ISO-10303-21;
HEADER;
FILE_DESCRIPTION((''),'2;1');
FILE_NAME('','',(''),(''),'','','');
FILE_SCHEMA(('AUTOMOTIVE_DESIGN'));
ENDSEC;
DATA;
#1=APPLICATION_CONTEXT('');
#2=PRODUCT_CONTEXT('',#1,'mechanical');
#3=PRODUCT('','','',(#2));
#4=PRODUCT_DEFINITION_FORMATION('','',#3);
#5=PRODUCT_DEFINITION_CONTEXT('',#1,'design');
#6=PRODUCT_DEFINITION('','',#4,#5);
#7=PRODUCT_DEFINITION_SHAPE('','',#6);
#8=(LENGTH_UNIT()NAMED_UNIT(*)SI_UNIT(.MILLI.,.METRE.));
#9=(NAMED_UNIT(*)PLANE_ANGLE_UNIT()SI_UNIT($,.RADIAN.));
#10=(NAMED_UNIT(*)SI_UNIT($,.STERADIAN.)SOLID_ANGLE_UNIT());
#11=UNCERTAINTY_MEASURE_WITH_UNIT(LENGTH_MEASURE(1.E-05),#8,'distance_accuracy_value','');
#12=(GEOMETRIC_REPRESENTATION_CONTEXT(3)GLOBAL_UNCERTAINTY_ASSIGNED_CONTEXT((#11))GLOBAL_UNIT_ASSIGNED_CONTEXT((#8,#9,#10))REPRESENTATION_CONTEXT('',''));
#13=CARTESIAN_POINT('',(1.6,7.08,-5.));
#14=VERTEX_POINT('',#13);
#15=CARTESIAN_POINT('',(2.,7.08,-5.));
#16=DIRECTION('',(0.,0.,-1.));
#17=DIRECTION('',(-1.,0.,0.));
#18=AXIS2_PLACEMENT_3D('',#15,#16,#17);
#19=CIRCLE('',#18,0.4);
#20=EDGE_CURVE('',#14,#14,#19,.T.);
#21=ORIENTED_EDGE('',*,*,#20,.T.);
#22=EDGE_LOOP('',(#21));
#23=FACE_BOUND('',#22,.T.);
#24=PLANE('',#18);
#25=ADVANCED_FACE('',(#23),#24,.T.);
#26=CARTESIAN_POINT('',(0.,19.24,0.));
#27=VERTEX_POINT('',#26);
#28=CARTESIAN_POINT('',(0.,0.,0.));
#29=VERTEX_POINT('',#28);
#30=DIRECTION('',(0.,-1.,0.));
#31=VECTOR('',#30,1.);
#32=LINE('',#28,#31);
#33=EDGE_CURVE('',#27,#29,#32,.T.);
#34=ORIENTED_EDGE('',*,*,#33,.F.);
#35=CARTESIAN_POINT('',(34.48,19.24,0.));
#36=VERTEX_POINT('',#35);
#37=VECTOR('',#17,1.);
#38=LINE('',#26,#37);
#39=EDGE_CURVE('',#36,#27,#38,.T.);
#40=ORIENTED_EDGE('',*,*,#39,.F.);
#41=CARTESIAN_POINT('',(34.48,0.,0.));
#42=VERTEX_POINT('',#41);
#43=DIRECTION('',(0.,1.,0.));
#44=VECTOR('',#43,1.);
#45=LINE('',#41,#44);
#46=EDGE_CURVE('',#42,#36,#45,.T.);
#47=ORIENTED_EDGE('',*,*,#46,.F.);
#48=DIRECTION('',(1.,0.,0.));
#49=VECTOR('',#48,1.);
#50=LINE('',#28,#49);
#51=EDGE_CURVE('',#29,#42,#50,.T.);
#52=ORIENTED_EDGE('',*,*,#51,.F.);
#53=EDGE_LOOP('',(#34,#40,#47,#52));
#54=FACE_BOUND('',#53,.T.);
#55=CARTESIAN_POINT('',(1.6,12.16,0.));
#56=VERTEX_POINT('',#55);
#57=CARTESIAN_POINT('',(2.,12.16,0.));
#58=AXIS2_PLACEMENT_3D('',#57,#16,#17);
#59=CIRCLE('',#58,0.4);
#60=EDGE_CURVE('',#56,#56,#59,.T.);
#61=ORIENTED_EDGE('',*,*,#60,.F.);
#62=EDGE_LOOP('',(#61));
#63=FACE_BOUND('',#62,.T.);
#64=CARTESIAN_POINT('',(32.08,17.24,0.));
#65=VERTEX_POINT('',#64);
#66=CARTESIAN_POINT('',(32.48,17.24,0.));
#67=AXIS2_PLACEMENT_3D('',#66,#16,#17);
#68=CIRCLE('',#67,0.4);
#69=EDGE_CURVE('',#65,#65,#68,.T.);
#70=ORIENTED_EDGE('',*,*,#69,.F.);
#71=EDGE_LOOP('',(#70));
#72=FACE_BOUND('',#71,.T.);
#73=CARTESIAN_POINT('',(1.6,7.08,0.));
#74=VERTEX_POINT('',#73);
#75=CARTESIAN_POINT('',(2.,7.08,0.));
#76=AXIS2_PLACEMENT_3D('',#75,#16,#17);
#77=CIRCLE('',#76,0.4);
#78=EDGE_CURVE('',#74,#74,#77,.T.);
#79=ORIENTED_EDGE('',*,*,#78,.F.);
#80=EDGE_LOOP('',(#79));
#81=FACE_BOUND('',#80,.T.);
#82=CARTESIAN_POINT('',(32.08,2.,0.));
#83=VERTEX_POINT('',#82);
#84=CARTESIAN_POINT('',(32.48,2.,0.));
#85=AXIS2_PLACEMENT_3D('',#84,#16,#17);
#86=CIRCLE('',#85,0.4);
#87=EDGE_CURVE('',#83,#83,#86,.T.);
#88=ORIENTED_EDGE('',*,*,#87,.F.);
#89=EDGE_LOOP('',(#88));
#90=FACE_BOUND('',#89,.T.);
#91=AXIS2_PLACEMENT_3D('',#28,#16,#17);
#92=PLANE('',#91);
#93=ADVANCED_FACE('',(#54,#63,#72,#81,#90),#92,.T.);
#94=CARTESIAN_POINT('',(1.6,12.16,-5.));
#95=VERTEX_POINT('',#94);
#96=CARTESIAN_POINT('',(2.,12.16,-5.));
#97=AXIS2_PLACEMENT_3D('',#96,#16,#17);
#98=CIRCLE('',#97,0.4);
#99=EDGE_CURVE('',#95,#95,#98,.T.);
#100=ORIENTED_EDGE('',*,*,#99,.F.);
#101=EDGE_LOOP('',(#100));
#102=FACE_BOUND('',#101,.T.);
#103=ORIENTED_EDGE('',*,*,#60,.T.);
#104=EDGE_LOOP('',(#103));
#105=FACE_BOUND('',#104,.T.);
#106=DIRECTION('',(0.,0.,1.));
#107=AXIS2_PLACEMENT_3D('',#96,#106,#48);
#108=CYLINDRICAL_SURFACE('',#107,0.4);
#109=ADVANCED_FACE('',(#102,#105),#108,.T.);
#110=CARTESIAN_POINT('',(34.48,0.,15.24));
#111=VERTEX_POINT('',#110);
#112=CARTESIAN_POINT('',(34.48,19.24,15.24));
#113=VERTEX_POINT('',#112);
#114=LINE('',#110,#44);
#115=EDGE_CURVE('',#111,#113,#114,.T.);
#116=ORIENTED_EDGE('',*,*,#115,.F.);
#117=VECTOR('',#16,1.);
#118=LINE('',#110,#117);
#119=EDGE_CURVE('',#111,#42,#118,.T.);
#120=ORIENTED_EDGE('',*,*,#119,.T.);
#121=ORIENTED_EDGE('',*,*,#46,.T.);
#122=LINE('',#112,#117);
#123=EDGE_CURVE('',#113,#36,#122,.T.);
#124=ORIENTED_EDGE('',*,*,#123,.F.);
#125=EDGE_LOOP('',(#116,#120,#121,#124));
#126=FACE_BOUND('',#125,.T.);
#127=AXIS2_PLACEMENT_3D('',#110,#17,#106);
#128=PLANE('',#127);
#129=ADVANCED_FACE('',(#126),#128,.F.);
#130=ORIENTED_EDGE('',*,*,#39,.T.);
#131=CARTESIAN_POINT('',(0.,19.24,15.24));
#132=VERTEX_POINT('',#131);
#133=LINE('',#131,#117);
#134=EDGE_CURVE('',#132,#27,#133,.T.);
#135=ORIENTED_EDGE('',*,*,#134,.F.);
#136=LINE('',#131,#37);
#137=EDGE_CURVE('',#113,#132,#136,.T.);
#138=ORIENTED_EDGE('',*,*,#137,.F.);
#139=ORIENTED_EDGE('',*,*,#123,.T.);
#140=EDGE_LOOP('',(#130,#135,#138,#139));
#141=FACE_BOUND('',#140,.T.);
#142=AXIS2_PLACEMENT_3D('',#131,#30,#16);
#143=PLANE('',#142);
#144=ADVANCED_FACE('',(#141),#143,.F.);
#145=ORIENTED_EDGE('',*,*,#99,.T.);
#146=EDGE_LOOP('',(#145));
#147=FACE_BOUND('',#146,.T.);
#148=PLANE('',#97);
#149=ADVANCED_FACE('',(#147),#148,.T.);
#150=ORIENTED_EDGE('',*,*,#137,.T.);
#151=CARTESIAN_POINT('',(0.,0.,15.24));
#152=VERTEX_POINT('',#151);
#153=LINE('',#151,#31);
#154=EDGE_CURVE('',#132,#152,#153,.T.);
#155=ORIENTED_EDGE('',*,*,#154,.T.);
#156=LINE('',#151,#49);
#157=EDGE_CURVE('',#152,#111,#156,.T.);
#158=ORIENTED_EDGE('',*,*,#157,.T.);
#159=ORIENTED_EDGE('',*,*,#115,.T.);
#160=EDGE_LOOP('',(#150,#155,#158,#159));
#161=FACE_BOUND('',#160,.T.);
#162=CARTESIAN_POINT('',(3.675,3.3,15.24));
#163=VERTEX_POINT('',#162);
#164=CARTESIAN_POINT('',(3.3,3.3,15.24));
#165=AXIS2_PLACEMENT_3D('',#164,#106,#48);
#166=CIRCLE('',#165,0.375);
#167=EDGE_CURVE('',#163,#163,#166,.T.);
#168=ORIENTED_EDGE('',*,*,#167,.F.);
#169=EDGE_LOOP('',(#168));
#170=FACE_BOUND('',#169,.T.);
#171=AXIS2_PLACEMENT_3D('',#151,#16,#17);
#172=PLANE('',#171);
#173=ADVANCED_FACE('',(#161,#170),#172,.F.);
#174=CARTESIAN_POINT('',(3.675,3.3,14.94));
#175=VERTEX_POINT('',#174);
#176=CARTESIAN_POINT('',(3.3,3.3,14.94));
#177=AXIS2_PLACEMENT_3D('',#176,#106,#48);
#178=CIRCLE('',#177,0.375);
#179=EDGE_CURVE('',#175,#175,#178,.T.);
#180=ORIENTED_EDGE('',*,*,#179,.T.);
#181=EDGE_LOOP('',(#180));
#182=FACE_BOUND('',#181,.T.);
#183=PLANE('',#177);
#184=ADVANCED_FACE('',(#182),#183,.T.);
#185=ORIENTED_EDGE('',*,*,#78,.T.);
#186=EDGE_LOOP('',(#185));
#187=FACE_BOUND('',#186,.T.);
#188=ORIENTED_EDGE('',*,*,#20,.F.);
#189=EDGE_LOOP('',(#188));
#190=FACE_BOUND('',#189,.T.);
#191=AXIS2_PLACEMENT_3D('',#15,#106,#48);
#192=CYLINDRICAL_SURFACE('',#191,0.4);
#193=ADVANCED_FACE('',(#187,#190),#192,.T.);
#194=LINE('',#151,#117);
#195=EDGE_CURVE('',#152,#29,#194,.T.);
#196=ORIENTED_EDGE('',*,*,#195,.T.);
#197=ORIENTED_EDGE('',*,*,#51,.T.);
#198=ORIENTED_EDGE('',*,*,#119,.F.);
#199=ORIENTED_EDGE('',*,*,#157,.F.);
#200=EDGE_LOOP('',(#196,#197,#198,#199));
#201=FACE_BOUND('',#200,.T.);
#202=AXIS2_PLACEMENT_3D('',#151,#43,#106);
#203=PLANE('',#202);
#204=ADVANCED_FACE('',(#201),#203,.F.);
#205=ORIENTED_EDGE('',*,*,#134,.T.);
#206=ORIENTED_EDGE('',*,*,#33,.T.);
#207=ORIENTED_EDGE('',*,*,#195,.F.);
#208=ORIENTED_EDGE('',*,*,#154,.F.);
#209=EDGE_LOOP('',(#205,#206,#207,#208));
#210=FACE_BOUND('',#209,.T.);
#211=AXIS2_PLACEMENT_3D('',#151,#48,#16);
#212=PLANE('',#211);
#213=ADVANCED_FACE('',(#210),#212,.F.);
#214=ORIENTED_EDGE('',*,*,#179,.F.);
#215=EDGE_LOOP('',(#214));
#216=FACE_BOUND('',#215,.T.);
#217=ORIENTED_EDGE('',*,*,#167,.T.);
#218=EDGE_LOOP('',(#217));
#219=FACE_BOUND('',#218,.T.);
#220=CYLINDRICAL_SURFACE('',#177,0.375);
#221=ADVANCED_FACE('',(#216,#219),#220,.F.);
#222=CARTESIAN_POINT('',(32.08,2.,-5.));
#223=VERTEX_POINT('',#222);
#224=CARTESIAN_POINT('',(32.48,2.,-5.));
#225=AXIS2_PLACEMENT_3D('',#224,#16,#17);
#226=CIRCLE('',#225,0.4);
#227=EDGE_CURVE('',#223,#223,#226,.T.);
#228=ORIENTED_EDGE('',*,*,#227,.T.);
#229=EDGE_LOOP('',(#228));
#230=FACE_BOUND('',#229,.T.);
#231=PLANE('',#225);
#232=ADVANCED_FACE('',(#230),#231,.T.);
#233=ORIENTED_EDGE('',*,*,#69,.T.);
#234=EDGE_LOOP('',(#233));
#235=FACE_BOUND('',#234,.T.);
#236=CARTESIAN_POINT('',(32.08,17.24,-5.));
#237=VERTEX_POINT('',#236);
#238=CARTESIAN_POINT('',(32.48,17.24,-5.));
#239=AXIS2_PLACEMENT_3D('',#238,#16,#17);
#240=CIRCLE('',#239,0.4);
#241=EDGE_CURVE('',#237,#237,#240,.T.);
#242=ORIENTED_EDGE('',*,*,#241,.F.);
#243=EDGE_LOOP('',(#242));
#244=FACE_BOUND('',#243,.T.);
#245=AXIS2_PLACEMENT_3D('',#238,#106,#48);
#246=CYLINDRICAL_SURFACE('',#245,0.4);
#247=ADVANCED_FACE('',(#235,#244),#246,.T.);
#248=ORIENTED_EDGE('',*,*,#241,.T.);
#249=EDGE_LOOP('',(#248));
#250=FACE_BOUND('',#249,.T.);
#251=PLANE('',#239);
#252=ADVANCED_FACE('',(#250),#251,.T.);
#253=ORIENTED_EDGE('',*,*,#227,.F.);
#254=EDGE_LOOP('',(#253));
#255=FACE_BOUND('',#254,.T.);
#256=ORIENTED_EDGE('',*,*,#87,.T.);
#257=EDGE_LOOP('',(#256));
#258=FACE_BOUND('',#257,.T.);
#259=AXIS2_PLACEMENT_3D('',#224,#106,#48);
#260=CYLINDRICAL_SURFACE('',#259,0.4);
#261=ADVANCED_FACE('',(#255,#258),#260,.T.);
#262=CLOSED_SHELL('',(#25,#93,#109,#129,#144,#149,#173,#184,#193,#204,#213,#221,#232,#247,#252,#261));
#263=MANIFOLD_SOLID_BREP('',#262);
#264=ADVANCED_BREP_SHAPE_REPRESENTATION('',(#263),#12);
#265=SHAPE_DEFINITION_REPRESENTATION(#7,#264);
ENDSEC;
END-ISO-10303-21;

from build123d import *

# Parameters (mm, degrees)
SKIZZE1_W                       = 34.48
SKIZZE1_H                       = 19.24
AUFSATZ_LINEAR_AUSTRAGEN1_DEPTH = 15.24
SKIZZE2_R                       = 0.375
SCHNITT_LINEAR_AUSTRAGEN1_DEPTH = 0.3
SKIZZE3_R                       = 0.4
AUFSATZ_LINEAR_AUSTRAGEN2_DEPTH = 5


with BuildPart() as part:
    # Skizze1 → Aufsatz-Linear austragen1 (new body)
    with BuildSketch(Plane.XY):
        with Locations((17.24, 9.62)):
            Rectangle(SKIZZE1_W, SKIZZE1_H)
    extrude(amount=AUFSATZ_LINEAR_AUSTRAGEN1_DEPTH)

    # Skizze2 → Schnitt-Linear austragen1 (cut)
    with BuildSketch(Plane.XY.offset(15.24)):
        with Locations((3.3, 3.3)):
            Circle(SKIZZE2_R)
    extrude(amount=-SCHNITT_LINEAR_AUSTRAGEN1_DEPTH, mode=Mode.SUBTRACT)

    # Skizze3 → Aufsatz-Linear austragen2 (add)
    with BuildSketch(Plane(origin=(0, 0, 0), x_dir=(-1, 0, 0), z_dir=(0, 0, -1))):
        with Locations((-32.48, 17.24)):
            Circle(SKIZZE3_R)
        with Locations((-32.48, 2)):
            Circle(SKIZZE3_R)
        with Locations((-2, 12.16)):
            Circle(SKIZZE3_R)
        with Locations((-2, 7.08)):
            Circle(SKIZZE3_R)
    extrude(amount=AUFSATZ_LINEAR_AUSTRAGEN2_DEPTH)


solid = part.part
